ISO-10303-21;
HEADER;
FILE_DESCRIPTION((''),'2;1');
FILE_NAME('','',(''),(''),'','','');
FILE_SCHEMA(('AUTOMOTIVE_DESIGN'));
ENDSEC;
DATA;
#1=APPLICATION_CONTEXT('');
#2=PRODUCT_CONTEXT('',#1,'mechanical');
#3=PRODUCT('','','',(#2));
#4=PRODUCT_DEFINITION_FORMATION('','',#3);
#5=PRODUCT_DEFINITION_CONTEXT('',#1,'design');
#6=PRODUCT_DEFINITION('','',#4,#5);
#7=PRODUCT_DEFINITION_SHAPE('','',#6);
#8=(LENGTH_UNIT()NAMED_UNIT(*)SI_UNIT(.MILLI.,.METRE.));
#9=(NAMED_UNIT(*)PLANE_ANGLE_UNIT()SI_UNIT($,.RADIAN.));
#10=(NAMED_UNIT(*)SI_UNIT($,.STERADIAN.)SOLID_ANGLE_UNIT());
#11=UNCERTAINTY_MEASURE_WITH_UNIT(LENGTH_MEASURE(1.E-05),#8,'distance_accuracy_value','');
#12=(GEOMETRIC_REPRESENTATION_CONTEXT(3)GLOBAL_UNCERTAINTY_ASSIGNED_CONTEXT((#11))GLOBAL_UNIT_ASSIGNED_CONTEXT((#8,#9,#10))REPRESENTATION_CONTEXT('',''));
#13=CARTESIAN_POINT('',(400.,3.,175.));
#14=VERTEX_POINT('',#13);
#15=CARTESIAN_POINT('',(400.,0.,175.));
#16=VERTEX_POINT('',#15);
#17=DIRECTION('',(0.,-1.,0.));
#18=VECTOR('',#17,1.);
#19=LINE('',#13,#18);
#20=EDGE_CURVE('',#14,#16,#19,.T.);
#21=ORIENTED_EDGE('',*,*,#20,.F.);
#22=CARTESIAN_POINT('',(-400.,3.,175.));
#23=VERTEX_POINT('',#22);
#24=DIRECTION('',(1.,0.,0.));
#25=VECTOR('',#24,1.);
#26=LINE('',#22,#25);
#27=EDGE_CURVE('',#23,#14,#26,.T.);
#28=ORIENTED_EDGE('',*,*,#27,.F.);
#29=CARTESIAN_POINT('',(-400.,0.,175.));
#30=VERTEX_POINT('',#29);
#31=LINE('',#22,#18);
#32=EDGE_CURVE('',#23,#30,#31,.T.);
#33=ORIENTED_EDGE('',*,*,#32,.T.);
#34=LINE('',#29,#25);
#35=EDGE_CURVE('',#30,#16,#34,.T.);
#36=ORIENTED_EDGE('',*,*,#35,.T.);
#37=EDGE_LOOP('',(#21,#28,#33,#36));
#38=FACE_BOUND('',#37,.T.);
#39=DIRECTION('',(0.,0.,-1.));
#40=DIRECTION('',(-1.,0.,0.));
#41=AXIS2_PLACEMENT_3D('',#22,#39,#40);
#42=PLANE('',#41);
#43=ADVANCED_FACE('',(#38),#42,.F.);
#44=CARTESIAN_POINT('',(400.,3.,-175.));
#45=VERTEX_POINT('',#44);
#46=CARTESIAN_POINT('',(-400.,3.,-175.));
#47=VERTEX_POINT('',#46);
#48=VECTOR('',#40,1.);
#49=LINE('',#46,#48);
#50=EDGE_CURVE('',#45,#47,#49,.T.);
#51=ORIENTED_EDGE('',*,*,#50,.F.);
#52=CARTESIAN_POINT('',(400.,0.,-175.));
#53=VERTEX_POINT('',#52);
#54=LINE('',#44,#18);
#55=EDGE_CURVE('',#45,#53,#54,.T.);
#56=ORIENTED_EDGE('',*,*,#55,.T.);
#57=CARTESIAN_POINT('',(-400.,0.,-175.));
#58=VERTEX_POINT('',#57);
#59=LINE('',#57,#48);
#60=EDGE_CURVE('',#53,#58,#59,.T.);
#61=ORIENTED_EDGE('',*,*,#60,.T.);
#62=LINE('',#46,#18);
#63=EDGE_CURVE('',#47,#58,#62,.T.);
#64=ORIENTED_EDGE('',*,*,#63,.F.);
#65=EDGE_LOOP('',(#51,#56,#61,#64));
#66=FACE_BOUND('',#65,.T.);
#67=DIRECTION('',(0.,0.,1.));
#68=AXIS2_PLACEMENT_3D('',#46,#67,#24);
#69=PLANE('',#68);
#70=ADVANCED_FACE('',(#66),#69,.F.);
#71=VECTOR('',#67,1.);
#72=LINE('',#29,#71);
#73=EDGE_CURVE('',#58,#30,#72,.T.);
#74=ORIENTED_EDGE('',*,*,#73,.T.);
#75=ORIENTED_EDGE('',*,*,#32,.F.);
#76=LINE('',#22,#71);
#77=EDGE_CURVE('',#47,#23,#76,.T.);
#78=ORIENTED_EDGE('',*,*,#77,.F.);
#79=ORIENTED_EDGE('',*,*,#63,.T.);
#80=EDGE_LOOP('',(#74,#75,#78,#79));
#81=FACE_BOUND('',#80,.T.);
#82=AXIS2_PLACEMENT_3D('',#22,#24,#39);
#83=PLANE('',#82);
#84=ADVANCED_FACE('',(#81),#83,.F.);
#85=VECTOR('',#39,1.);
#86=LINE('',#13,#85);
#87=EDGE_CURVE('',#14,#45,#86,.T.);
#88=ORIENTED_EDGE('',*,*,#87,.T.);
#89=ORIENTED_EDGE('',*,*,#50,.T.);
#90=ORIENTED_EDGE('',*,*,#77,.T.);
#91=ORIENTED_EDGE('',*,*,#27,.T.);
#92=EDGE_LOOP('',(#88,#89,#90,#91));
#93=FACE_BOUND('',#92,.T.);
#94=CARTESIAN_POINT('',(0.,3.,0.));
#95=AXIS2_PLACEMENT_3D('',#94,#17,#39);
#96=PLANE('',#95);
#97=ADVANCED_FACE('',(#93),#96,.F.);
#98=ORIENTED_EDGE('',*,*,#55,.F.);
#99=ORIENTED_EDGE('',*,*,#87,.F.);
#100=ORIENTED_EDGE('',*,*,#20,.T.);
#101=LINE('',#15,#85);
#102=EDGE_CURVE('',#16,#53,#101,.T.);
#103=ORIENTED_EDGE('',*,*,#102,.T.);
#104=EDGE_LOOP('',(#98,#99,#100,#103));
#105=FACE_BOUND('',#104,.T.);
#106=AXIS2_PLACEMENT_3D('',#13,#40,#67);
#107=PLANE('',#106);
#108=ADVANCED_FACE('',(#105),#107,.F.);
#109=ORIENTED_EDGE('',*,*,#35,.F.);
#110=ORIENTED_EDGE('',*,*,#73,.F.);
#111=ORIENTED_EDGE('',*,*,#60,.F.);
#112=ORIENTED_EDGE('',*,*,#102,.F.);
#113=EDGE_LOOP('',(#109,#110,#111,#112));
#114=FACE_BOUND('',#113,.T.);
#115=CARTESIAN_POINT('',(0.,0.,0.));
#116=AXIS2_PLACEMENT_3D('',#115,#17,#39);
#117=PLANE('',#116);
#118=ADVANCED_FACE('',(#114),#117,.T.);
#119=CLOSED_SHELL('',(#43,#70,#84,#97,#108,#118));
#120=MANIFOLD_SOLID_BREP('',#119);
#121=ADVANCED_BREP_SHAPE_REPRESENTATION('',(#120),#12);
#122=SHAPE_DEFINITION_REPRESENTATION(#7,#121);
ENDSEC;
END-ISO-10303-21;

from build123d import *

# Parameters (mm, degrees)
SKETCH13_W          = 800
SKETCH13_H          = 350
BOSS_EXTRUDE1_DEPTH = 3


with BuildPart() as part:
    # Sketch13 → Boss-Extrude1 (new body)
    with BuildSketch(Plane(origin=(0, 0, 0), x_dir=(1, 0, 0), z_dir=(0, 1, 0))):
        Rectangle(SKETCH13_W, SKETCH13_H)
    extrude(amount=BOSS_EXTRUDE1_DEPTH)


solid = part.part
